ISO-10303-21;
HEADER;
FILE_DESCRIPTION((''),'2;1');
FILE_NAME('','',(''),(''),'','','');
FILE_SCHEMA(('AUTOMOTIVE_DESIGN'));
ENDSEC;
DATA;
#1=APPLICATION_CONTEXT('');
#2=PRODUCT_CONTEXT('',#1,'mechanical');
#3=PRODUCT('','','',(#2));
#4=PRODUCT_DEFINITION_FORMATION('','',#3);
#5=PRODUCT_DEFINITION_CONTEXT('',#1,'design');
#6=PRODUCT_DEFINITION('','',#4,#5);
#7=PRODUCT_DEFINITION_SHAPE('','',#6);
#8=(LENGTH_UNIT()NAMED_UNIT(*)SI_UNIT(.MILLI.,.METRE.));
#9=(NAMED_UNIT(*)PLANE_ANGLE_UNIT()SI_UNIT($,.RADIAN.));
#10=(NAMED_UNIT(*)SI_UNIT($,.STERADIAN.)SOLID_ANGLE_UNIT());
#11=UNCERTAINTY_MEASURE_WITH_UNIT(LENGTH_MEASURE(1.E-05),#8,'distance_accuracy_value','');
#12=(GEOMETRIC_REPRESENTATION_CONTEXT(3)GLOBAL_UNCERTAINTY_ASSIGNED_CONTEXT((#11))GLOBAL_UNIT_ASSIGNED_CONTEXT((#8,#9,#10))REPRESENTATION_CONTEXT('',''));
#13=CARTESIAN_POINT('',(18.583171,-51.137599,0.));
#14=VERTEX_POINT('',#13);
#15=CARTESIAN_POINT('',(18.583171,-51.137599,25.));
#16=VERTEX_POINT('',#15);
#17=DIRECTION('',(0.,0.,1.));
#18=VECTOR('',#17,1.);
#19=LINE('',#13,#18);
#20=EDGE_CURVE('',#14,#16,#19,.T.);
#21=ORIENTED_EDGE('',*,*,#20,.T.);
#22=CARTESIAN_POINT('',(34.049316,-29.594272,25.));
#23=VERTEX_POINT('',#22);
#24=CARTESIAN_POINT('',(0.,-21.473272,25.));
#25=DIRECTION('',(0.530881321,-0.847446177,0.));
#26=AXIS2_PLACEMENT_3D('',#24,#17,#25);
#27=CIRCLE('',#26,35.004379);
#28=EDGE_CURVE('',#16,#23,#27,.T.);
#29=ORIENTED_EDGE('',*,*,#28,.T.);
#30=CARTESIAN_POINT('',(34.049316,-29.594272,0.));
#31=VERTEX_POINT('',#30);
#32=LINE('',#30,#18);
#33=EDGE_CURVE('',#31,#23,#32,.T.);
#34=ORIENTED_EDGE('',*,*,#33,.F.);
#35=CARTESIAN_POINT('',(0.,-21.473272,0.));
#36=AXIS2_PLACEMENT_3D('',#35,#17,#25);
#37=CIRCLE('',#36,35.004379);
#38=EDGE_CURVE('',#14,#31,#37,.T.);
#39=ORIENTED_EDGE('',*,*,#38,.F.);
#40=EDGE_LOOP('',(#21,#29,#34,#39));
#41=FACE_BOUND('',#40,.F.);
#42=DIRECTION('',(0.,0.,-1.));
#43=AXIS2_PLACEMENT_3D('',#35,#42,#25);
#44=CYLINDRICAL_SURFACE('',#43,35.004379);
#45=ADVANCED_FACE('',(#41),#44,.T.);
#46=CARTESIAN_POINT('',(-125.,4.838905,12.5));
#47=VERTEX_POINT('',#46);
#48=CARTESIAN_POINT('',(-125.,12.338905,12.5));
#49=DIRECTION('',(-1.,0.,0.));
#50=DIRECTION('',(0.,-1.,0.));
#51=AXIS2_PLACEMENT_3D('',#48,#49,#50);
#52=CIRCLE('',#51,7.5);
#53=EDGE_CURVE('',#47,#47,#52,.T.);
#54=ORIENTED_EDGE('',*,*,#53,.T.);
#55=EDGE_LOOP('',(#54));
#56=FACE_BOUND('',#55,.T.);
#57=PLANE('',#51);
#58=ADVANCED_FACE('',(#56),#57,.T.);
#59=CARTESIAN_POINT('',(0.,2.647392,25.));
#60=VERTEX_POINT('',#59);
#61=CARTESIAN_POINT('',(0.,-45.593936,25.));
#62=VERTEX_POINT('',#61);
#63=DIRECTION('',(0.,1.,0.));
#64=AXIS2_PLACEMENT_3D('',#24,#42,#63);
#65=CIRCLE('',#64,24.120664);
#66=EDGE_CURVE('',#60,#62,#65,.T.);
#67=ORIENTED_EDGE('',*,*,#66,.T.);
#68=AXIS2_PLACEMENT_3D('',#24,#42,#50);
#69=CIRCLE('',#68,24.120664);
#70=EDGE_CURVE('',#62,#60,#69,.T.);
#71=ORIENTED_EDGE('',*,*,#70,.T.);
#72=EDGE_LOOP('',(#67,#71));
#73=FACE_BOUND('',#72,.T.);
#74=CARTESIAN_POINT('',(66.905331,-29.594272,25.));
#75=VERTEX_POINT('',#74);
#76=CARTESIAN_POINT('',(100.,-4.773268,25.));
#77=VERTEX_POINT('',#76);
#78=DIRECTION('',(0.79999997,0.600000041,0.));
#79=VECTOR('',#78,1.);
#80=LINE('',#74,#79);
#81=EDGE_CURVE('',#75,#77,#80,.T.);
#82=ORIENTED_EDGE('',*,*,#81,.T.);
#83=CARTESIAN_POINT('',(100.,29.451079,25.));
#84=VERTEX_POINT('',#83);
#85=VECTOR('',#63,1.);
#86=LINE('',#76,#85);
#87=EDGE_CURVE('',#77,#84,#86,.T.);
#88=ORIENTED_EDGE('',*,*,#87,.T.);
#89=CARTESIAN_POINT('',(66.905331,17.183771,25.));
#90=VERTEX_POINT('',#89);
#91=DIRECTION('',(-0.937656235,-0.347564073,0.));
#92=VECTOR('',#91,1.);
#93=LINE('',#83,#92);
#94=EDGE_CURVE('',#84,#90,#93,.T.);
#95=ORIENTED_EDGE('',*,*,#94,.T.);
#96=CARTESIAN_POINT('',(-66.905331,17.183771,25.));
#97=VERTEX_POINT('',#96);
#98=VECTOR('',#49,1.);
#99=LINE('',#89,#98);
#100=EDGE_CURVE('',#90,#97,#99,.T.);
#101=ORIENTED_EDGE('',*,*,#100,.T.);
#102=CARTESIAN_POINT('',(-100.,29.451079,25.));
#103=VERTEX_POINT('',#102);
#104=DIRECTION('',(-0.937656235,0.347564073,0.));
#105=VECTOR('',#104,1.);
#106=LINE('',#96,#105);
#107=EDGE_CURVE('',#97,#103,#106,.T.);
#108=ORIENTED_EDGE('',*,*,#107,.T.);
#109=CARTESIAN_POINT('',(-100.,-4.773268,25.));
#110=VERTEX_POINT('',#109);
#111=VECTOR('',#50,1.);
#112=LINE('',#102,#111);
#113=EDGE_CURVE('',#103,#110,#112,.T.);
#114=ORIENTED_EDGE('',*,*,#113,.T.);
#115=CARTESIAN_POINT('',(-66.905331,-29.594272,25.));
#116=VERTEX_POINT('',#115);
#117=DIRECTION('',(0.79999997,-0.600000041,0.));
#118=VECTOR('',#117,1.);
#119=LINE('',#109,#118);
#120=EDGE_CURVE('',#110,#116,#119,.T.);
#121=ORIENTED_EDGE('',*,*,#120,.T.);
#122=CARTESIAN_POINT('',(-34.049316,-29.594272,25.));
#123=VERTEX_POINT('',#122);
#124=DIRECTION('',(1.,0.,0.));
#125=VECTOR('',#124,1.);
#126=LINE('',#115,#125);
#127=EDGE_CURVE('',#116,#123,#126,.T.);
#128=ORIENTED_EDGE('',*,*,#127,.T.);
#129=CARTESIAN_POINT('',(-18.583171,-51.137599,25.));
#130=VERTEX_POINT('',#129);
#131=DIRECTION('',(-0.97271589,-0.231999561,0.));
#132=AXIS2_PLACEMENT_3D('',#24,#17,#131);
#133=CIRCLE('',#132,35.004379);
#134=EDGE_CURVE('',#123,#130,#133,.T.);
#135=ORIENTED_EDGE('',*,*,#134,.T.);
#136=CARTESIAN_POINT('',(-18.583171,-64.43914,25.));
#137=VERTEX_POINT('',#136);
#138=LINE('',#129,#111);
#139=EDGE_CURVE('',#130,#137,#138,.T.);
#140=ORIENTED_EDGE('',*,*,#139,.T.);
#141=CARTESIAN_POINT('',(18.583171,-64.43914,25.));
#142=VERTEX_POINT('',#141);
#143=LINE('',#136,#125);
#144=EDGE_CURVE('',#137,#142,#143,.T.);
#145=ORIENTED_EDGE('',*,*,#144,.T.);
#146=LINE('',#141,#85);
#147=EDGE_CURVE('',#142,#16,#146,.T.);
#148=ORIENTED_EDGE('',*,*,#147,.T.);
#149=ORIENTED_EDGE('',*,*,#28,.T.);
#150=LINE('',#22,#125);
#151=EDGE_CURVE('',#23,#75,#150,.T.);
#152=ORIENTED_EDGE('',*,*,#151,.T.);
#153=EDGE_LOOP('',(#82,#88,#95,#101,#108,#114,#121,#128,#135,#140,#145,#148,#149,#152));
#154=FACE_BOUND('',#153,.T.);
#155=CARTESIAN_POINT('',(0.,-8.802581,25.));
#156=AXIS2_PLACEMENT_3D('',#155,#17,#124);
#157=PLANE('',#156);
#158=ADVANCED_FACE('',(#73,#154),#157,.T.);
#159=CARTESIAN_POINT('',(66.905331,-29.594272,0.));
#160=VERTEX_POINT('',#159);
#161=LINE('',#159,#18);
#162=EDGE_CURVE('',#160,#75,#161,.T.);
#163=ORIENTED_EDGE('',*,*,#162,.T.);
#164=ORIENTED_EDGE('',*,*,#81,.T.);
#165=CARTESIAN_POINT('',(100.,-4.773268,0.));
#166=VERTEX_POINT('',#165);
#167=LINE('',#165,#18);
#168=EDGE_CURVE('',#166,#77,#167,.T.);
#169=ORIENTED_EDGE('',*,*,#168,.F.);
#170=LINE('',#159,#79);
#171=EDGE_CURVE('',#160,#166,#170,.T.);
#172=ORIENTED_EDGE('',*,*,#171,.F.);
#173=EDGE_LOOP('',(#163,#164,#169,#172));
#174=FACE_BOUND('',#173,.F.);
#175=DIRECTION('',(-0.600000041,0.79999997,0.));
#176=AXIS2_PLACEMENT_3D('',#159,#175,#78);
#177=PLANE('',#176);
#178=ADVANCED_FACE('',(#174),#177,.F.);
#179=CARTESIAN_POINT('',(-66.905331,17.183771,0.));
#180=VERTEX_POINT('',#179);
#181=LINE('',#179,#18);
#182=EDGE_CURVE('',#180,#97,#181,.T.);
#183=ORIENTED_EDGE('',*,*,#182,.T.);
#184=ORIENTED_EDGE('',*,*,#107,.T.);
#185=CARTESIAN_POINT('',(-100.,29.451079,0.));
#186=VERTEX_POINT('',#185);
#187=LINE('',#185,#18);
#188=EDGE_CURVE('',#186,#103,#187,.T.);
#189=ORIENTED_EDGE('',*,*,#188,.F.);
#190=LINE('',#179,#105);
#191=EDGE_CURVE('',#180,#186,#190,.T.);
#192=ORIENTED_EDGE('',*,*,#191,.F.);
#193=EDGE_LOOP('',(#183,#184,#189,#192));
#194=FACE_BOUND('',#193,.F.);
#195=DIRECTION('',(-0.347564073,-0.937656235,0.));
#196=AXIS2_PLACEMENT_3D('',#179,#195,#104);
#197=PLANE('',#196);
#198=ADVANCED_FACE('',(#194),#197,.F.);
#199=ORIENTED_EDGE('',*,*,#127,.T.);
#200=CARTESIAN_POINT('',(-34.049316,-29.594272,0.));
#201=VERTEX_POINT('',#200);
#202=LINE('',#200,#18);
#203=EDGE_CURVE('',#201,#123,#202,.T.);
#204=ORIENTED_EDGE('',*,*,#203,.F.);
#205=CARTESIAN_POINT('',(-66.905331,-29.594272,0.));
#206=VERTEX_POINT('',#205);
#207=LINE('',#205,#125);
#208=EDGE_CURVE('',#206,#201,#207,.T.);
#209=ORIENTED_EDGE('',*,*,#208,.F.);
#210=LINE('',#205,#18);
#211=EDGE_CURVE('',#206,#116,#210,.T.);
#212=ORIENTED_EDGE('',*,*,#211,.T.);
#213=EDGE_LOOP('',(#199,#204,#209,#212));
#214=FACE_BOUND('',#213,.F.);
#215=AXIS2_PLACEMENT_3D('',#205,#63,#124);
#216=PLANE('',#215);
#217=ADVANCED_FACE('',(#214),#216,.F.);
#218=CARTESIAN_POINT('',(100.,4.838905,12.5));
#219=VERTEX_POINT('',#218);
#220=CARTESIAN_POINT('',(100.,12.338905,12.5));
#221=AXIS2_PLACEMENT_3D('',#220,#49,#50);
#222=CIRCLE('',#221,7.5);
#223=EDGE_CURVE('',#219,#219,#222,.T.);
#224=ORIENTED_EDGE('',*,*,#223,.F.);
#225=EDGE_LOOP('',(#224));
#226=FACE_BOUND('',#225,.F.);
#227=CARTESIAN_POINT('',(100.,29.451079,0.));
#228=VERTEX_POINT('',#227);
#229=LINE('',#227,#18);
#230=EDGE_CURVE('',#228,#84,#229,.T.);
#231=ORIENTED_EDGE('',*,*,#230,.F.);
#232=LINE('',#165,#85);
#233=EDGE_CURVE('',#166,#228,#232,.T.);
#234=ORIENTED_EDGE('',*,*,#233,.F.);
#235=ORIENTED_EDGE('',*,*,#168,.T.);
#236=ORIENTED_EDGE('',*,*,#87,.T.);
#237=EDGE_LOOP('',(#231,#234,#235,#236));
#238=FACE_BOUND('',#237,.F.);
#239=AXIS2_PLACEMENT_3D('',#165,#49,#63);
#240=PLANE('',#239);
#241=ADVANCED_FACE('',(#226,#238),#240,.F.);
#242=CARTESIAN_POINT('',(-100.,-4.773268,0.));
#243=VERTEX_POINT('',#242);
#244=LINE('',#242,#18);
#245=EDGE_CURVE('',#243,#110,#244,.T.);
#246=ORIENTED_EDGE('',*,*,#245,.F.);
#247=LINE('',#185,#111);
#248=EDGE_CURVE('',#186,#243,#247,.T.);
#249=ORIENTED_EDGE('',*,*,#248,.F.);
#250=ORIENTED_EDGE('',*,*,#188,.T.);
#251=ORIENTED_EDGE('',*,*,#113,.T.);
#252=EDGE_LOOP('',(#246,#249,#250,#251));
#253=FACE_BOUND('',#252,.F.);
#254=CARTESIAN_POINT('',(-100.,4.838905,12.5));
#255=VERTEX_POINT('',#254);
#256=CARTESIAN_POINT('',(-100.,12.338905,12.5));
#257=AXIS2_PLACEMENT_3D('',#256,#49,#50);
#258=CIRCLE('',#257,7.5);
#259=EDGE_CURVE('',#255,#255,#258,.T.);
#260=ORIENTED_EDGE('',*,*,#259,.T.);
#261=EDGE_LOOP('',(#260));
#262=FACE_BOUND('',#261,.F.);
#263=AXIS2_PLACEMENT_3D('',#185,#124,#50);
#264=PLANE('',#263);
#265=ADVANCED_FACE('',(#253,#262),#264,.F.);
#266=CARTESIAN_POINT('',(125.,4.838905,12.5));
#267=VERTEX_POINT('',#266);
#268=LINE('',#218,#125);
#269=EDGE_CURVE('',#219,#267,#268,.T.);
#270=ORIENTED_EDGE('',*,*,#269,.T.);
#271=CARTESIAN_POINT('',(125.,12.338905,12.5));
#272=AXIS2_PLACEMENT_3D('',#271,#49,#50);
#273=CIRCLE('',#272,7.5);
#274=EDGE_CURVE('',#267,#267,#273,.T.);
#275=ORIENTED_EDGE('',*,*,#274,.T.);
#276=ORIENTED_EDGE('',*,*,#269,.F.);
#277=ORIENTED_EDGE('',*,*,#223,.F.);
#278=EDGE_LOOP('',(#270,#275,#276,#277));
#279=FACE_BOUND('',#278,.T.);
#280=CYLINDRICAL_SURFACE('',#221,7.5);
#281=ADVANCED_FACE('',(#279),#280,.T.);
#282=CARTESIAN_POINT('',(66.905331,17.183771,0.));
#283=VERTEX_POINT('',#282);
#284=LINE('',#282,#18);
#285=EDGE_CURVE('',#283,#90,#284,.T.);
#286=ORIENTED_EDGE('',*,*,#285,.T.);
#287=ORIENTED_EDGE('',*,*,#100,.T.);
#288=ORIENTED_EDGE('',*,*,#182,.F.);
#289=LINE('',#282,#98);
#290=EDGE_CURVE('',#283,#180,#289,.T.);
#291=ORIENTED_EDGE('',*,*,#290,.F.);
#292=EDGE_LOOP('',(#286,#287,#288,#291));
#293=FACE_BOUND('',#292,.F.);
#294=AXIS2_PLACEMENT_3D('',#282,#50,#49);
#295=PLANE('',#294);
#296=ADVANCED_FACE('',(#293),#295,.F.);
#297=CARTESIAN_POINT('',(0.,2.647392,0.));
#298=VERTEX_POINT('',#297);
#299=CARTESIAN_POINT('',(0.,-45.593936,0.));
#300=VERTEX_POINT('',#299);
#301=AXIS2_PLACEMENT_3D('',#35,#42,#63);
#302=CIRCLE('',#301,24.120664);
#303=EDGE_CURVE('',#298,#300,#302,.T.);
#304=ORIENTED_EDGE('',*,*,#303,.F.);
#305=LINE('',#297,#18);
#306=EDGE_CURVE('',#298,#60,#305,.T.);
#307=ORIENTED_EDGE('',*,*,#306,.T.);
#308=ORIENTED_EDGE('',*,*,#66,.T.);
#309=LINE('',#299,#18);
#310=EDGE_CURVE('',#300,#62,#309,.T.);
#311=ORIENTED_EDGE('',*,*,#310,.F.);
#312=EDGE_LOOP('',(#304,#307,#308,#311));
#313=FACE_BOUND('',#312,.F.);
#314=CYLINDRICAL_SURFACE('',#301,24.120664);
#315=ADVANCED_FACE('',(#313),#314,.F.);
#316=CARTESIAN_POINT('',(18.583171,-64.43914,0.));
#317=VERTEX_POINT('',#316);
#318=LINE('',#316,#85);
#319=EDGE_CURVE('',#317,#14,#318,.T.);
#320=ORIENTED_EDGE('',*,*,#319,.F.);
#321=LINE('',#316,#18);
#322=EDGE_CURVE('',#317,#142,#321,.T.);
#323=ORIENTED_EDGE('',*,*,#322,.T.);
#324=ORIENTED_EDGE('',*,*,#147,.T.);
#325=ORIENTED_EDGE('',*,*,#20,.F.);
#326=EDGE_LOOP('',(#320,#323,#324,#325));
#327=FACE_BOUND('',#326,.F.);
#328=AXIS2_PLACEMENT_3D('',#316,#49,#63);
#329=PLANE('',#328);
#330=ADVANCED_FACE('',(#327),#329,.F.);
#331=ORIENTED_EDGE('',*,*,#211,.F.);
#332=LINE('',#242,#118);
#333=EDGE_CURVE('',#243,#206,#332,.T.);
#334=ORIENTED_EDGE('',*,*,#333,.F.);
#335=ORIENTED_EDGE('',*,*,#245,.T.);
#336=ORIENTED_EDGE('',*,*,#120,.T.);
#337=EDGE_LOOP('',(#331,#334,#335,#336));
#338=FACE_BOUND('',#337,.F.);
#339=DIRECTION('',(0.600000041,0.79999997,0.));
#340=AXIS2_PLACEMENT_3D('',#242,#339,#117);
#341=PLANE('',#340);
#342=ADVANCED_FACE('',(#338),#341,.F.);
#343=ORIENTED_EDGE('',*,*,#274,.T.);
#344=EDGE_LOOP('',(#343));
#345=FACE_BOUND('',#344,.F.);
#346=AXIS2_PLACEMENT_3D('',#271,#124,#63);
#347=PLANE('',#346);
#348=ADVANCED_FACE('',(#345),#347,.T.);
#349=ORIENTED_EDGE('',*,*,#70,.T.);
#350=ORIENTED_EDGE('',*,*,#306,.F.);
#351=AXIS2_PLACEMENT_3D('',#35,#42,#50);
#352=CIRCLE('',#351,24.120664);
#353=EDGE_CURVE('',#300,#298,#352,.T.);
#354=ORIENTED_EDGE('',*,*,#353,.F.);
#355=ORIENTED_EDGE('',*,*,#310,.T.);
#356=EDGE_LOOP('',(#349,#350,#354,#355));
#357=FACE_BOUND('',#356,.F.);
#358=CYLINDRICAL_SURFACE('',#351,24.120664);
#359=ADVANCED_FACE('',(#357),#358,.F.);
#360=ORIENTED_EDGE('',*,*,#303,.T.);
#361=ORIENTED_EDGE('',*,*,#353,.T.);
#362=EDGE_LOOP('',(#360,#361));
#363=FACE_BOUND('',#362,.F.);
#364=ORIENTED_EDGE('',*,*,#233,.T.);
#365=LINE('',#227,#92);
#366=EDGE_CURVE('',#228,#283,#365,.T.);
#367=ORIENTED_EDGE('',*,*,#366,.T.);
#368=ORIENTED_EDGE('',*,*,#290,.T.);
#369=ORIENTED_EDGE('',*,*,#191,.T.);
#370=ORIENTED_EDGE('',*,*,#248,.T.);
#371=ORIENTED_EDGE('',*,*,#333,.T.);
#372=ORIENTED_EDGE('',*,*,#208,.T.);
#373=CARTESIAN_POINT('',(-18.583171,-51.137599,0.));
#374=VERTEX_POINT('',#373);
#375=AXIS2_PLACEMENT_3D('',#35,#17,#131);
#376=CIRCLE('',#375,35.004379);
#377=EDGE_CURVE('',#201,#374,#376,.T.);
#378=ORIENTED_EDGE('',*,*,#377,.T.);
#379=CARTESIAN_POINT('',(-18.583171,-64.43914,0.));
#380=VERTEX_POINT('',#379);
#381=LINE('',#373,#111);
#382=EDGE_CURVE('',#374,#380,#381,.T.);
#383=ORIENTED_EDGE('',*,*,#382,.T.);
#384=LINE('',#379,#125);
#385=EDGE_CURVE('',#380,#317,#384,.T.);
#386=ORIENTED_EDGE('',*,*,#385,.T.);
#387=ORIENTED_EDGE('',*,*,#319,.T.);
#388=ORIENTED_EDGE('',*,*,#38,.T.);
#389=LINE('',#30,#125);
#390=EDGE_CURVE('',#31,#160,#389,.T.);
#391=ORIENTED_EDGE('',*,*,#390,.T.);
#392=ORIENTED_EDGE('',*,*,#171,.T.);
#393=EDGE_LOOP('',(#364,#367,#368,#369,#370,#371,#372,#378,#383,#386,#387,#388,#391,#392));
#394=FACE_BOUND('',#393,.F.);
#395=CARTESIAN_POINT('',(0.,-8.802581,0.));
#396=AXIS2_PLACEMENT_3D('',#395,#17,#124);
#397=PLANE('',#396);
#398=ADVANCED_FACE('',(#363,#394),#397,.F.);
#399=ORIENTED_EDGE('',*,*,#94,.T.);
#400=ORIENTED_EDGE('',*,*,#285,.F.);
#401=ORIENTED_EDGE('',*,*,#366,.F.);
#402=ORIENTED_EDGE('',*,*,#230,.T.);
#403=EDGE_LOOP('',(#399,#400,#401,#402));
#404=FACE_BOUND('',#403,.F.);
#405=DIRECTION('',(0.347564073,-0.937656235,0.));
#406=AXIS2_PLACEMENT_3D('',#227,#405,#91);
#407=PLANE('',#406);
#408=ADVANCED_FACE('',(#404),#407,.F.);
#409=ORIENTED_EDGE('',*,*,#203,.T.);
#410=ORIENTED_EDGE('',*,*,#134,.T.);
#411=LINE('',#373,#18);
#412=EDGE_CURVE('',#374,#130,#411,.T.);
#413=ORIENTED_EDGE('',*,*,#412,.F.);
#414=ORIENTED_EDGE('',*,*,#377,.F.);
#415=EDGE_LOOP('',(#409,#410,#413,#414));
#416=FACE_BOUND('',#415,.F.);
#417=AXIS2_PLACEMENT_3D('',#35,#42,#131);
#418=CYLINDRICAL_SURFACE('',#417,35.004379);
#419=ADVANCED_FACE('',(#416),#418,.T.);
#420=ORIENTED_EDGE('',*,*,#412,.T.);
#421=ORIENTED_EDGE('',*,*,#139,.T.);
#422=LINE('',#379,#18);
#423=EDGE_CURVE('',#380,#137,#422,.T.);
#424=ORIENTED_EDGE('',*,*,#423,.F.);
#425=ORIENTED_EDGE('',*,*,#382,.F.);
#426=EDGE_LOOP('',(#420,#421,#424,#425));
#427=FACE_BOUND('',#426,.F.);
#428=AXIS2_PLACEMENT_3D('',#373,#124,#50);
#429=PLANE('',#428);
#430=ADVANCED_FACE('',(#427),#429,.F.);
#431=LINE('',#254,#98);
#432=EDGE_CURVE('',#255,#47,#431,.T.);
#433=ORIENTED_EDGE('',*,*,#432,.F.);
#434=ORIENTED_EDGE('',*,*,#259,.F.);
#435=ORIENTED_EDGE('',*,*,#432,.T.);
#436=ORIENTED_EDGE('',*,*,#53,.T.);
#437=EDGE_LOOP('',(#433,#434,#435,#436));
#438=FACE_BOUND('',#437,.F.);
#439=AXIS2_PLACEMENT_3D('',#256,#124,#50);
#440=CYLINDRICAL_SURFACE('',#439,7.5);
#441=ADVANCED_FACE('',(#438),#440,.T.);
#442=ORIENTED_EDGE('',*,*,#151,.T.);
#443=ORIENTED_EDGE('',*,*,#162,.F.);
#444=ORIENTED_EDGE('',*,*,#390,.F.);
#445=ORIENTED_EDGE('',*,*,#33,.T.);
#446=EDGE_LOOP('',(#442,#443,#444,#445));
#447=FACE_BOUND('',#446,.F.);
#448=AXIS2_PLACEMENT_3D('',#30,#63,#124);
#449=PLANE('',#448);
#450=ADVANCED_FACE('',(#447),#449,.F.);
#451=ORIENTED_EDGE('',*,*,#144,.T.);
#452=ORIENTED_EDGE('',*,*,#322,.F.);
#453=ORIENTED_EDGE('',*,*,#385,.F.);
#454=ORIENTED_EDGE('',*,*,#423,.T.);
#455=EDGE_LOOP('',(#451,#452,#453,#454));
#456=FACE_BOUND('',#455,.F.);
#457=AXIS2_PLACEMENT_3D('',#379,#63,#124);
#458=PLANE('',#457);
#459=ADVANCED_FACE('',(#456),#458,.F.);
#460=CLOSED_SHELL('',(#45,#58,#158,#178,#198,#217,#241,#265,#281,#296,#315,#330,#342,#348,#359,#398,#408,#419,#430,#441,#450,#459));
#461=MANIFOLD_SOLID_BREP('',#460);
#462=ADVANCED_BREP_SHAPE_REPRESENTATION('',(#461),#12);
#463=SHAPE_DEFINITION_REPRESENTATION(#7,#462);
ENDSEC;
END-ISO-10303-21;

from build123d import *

# Parameters (mm, degrees)
F1_DEPTH = 25
F2_R     = 7.5
F3_DEPTH = 25


with BuildPart() as f1:
    # F0 (on Top) → F1 (new body)
    with BuildSketch(Plane.XY):
        with BuildLine():
            Line((-18.5831710696, -64.4391401045), (0, -64.4391401045))
            Line((0, -64.4391401045), (18.5831710696, -64.4391401045))
            Line((18.5831710696, -64.4391401045), (18.5831710696, -51.1375991389))
            ThreePointArc((18.5831710696, -51.1375991389), (28.4354251443, -41.8873150264), (34.0493159096, -29.594272401))
            Line((34.0493159096, -29.594272401), (66.9053312008, -29.594272401))
            Line((66.9053312008, -29.594272401), (100, -4.7732681821))
            Line((100, -4.7732681821), (100, 29.4510790908))
            Line((100, 29.4510790908), (66.9053312008, 17.1837710472))
            Line((66.9053312008, 17.1837710472), (0, 17.1837710472))
            Line((0, 17.1837710472), (-66.9053312008, 17.1837710472))
            Line((-66.9053312008, 17.1837710472), (-100, 29.4510790908))
            Line((-100, 29.4510790908), (-100, -4.7732681821))
            Line((-100, -4.7732681821), (-66.9053312008, -29.594272401))
            Line((-66.9053312008, -29.594272401), (-34.0493159096, -29.594272401))
            ThreePointArc((-34.0493159096, -29.594272401), (-28.4354251443, -41.8873150264), (-18.5831710696, -51.1375991389))
            Line((-18.5831710696, -51.1375991389), (-18.5831710696, -64.4391401045))
        make_face()
        with BuildLine():
            ThreePointArc((0, 2.6473924518), (24.120664224, -21.4732717723), (0, -45.5939359963))
            ThreePointArc((0, -45.5939359963), (-24.120664224, -21.4732717723), (0, 2.6473924518))
        make_face(mode=Mode.SUBTRACT)
    extrude(amount=F1_DEPTH)

    # F2 (on face) → F3 (join)
    with BuildSketch(Plane(origin=(-100, 0, 0), x_dir=(0, -1, 0), z_dir=(-1, 0, 0))):
        with Locations((-12.3389054544, 12.5)):
            Circle(F2_R)
    extrude(amount=F3_DEPTH)

    # F4: F1 across plane


with BuildPart() as f1_1:
    add(f1.part)
    add(f1.part.mirror(Plane.YZ))


solid = f1_1.part
